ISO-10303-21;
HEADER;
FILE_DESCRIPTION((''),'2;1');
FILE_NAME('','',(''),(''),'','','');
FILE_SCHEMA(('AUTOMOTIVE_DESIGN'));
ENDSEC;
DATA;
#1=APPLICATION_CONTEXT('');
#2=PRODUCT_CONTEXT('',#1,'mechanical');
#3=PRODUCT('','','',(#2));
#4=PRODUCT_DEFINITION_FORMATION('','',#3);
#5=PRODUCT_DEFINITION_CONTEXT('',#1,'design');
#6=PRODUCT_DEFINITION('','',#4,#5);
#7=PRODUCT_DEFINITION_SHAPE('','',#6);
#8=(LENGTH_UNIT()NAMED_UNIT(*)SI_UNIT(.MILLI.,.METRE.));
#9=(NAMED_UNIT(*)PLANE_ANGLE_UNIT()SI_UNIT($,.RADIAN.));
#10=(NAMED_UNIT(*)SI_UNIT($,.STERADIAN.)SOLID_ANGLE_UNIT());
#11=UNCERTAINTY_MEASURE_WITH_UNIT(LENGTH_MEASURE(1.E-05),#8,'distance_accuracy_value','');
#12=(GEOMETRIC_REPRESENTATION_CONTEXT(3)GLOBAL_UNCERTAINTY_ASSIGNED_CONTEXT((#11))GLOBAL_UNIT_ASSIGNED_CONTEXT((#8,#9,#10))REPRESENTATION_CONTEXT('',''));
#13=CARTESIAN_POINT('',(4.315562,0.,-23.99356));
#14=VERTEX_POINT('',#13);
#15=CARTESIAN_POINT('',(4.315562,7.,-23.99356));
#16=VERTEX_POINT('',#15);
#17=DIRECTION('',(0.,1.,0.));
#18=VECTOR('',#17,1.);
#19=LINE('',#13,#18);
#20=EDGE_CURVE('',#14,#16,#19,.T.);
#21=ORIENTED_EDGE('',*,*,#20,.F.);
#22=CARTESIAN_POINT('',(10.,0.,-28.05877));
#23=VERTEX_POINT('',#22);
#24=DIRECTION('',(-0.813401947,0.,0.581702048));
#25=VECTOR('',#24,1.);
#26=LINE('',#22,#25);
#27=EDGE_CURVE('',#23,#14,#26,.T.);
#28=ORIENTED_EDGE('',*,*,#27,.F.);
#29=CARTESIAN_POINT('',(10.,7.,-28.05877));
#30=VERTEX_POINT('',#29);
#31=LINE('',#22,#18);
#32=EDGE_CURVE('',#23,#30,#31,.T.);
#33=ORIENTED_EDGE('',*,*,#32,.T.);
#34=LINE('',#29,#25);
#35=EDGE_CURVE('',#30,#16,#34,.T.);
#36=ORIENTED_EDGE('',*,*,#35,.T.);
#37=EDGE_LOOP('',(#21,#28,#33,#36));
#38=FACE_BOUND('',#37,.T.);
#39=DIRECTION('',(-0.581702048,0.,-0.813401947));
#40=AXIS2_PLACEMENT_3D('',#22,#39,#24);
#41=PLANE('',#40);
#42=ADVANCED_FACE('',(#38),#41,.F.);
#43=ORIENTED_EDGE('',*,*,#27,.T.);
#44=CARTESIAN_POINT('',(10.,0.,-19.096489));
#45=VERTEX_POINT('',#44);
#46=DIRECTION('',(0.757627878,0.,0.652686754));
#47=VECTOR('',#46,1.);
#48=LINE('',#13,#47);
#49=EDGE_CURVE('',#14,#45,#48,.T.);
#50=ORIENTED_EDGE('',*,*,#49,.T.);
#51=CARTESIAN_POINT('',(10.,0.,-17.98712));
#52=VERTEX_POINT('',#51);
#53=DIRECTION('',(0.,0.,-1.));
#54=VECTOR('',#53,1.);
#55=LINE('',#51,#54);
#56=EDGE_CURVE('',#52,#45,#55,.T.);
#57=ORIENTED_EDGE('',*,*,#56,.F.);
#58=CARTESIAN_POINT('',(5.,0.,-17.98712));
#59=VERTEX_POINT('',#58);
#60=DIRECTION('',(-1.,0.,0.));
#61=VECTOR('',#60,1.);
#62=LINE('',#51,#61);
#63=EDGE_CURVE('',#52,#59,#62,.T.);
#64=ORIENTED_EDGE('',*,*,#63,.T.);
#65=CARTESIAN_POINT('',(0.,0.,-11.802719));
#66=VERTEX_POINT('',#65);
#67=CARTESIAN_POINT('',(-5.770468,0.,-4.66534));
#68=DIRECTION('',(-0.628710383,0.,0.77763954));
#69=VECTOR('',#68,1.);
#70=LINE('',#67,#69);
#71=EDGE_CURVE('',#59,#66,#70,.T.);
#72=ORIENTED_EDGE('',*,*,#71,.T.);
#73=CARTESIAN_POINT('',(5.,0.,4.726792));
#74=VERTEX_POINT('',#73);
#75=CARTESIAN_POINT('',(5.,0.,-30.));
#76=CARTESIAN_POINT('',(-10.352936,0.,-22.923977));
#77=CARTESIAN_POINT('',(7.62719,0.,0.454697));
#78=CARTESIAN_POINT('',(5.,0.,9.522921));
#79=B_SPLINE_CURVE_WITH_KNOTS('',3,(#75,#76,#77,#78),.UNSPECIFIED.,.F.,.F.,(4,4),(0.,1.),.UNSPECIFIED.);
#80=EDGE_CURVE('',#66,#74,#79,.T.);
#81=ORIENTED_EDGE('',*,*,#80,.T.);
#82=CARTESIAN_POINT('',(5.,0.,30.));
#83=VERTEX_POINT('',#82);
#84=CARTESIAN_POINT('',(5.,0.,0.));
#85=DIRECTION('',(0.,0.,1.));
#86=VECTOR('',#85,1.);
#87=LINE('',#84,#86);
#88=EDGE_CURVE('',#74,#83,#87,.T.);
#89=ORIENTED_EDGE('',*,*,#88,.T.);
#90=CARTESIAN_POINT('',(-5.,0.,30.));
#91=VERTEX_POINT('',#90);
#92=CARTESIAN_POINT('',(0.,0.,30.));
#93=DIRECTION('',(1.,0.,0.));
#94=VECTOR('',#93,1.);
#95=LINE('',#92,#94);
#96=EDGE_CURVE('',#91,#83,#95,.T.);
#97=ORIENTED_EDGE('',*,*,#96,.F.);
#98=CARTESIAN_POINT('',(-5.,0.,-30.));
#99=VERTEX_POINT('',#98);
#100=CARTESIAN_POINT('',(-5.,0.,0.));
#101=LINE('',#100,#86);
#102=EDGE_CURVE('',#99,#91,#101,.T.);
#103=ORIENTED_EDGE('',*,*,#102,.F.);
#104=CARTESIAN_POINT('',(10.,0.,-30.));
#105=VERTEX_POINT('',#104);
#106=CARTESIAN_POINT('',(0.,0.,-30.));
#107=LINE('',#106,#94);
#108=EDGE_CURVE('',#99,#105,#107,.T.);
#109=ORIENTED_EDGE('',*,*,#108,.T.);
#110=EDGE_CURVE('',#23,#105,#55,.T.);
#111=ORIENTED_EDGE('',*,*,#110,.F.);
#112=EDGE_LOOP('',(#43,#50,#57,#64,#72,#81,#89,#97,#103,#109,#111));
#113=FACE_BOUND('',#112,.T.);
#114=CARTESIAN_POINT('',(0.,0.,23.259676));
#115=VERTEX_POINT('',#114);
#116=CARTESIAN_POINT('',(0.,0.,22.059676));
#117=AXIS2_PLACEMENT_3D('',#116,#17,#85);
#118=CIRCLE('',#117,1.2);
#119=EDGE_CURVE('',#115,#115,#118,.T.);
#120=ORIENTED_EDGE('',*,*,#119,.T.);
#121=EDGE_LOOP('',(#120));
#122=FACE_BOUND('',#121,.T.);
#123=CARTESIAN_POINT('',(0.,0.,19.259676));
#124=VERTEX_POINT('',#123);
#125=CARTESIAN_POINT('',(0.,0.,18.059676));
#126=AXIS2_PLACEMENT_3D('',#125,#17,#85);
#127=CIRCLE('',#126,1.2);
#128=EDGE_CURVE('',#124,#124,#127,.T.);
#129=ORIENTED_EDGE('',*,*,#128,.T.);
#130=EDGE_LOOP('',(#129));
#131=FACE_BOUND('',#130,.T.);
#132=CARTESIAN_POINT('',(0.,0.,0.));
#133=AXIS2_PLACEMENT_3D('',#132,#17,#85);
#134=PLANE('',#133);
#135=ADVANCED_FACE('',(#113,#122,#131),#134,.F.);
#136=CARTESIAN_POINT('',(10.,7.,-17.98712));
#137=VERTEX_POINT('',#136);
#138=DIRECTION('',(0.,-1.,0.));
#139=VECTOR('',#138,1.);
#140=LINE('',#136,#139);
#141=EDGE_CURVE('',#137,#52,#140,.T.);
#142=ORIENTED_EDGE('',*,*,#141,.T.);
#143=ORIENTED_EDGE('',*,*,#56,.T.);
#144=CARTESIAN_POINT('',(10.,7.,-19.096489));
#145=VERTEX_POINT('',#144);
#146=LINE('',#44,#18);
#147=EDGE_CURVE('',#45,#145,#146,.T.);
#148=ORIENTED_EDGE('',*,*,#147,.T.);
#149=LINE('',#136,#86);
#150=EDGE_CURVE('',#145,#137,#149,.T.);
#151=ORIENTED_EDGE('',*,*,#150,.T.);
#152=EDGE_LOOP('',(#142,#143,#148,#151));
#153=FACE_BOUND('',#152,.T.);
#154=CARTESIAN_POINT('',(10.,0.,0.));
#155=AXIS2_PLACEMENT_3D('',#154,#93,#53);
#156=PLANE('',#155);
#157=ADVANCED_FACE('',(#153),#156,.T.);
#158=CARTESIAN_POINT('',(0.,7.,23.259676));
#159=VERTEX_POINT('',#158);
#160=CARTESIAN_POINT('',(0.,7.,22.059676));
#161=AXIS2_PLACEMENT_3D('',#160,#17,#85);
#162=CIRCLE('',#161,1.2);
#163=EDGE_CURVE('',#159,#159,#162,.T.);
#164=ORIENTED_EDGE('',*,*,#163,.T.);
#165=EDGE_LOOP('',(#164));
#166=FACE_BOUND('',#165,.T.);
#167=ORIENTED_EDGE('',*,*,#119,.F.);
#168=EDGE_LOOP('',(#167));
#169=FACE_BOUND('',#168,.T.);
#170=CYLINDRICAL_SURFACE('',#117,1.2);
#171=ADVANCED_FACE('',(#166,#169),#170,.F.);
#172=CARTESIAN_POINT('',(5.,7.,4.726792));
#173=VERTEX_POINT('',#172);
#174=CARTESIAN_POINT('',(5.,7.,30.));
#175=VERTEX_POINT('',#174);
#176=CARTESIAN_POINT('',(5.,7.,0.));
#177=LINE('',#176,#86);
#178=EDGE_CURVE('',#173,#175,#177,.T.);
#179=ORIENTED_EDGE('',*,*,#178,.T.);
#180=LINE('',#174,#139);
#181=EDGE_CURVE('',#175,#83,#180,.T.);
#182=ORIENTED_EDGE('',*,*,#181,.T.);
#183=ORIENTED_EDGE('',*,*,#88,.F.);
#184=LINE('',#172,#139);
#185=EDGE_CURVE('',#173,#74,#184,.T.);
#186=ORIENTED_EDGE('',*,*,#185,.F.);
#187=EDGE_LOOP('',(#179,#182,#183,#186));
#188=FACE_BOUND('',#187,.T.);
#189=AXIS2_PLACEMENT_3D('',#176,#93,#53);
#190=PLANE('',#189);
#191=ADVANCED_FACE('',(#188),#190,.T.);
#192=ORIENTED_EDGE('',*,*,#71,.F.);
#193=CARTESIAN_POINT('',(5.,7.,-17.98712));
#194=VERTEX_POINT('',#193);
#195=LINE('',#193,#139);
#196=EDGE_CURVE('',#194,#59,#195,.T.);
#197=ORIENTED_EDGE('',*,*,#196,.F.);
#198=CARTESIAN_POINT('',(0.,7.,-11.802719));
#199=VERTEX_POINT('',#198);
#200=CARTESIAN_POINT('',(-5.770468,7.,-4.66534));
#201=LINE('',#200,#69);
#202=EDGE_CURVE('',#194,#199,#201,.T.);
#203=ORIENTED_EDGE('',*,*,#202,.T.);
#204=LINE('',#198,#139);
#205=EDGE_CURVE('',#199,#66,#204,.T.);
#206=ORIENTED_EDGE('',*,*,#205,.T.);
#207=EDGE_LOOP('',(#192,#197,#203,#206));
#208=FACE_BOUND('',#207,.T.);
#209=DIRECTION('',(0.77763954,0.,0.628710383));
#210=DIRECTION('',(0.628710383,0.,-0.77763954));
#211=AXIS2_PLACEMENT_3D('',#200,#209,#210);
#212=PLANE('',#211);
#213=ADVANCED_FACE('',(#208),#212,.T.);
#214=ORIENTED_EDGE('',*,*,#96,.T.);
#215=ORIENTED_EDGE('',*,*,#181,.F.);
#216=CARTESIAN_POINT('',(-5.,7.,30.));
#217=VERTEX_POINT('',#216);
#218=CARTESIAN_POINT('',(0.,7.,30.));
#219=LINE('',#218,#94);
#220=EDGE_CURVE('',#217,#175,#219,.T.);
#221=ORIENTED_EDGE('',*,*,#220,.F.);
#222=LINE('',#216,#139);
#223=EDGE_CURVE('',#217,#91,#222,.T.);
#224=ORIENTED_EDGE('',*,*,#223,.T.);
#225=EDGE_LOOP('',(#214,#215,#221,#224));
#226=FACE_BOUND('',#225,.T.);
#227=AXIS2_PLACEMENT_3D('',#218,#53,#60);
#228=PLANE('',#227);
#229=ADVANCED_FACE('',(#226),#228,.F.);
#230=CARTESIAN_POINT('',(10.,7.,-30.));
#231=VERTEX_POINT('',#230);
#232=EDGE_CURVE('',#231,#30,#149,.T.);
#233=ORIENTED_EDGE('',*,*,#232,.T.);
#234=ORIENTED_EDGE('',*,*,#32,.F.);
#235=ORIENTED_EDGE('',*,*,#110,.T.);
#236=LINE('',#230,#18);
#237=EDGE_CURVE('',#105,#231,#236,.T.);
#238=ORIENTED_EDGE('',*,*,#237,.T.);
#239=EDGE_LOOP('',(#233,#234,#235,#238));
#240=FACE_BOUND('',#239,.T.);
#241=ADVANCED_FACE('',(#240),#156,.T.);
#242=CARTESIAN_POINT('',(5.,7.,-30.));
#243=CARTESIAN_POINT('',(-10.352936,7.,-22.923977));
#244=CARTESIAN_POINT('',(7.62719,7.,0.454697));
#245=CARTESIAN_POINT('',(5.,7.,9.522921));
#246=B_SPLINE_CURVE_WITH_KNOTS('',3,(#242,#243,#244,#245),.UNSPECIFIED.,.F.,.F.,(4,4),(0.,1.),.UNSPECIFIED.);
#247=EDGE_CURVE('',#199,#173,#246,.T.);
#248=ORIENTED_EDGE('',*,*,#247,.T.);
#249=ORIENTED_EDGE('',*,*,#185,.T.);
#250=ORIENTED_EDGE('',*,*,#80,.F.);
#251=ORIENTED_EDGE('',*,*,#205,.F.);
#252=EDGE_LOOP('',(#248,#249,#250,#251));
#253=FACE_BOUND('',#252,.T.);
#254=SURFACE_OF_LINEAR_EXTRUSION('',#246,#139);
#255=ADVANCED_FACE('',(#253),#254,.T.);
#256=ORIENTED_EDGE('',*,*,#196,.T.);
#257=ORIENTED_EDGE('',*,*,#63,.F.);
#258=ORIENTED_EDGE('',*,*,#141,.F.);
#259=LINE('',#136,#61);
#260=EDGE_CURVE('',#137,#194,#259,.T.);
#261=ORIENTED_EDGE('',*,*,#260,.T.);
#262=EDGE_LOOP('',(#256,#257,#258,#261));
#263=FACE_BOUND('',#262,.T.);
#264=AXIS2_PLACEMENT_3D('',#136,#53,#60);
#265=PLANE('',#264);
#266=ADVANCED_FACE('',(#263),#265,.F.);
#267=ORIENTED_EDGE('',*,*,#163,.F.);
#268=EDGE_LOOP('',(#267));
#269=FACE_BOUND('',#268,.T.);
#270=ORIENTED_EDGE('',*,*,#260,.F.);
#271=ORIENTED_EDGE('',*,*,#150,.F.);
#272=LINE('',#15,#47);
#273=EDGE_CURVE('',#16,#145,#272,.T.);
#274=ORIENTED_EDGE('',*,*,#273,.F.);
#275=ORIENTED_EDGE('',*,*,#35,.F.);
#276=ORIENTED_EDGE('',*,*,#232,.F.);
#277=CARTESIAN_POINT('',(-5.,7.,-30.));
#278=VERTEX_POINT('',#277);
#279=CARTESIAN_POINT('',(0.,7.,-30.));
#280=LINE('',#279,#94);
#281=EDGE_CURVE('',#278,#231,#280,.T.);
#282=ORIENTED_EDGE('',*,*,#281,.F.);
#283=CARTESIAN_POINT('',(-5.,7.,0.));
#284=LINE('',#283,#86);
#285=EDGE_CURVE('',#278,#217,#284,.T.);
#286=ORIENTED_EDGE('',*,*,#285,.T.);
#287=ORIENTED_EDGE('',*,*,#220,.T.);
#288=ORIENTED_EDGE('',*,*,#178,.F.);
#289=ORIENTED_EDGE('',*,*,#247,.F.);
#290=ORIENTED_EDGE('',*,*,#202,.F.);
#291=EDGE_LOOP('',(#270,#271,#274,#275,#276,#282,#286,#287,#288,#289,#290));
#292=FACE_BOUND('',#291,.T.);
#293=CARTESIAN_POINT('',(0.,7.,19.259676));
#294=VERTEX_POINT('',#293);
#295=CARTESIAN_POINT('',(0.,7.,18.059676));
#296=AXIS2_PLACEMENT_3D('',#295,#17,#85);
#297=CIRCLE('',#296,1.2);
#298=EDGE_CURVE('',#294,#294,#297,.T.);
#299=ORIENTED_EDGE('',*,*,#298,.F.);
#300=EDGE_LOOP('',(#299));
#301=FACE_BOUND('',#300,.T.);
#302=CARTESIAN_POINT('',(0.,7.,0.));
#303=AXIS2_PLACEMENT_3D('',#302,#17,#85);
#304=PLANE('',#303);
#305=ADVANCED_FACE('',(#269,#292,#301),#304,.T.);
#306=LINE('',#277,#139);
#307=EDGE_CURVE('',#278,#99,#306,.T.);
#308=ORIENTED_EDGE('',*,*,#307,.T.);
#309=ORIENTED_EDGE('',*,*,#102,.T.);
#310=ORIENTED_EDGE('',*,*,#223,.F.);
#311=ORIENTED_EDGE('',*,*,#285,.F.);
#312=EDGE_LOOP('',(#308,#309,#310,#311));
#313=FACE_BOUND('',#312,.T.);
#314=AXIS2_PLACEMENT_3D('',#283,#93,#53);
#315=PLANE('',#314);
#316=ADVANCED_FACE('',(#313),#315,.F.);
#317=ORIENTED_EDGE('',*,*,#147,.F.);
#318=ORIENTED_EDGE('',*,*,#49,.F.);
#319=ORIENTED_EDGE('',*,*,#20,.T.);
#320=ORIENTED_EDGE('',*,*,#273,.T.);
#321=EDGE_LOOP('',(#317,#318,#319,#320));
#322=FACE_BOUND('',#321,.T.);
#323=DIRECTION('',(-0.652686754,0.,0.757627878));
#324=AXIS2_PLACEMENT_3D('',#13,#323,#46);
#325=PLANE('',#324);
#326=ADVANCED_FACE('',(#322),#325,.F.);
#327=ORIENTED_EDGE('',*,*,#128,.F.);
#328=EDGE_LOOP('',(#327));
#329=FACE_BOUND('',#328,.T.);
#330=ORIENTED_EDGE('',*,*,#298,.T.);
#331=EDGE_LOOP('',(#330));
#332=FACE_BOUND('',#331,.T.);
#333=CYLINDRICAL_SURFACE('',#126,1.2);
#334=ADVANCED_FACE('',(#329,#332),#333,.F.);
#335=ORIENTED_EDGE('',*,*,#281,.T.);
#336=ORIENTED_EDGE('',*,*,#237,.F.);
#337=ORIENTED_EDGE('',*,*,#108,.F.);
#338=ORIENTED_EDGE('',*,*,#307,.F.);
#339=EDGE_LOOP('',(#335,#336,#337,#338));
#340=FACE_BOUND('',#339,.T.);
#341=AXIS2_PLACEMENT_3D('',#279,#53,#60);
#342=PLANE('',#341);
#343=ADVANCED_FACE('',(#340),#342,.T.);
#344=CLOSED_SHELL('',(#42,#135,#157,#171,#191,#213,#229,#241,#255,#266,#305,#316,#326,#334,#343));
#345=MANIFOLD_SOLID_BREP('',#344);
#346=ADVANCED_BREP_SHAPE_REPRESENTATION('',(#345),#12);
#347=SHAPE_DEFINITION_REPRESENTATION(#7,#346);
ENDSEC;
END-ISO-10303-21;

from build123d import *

# Parameters (mm, degrees)
BOSS_EXTRUDE1_DEPTH = 7
SKETCH2_W           = 12.012879562
SKETCH2_H           = 7
BOSS_EXTRUDE3_DEPTH = 5
CUT_EXTRUDE1_DEPTH  = 33.388269627
SKETCH4_R           = 1.2
CUT_EXTRUDE2_DEPTH  = 33.388269627


with BuildPart() as part:
    # Sketch1 → Boss-Extrude1 (new body)
    with BuildSketch(Plane(origin=(0, 0, 0), x_dir=(1, 0, 0), z_dir=(0, 1, 0))):
        with BuildLine():
            add(Edge.make_bspline(
                [(0, 11.802718513), (1.58072242, 5.981279649), (4.167222532, -0.050595561), (5, -4.726791588)],
                knots=[0.482657311, 0.482657311, 0.482657311, 0.482657311, 0.853883687, 0.853883687, 0.853883687, 0.853883687], degree=3))
            Line((0, 11.802718513), (5, 17.987120438))
            Line((5, 17.987120438), (5, 30))
            Line((5, 30), (-5, 30))
            Line((-5, 30), (-5, -30))
            Line((-5, -30), (5, -30))
            Line((5, -30), (5, -4.726791588))
        make_face()
    extrude(amount=BOSS_EXTRUDE1_DEPTH)

    # Sketch2 → Boss-Extrude3 (add)
    with BuildSketch(Plane(origin=(5, 0, 0), x_dir=(0, 0, -1), z_dir=(1, 0, 0))):
        with Locations((23.993560219, 3.5)):
            Rectangle(SKETCH2_W, SKETCH2_H)
    extrude(amount=BOSS_EXTRUDE3_DEPTH)

    # Sketch3 → Cut-Extrude1 (cut, through all)
    with BuildSketch(Plane(origin=(0, 7, 0), x_dir=(1, 0, 0), z_dir=(0, 1, 0))):
        Polygon((10, 28.05876983), (4.315561677, 23.993560219), (10, 19.0964891), align=None)
    extrude(amount=-CUT_EXTRUDE1_DEPTH, mode=Mode.SUBTRACT)

    # Sketch4 → Cut-Extrude2 (cut, through all)
    with BuildSketch(Plane(origin=(0, 7, 0), x_dir=(1, 0, 0), z_dir=(0, 1, 0))):
        with Locations(Location((0, -22.059676008, 0), (0, 0, 270))):
            Circle(SKETCH4_R)
        with Locations(Location((0, -18.059676008, 0), (0, 0, 270))):
            Circle(SKETCH4_R)
    extrude(amount=-CUT_EXTRUDE2_DEPTH, mode=Mode.SUBTRACT)


solid = part.part
